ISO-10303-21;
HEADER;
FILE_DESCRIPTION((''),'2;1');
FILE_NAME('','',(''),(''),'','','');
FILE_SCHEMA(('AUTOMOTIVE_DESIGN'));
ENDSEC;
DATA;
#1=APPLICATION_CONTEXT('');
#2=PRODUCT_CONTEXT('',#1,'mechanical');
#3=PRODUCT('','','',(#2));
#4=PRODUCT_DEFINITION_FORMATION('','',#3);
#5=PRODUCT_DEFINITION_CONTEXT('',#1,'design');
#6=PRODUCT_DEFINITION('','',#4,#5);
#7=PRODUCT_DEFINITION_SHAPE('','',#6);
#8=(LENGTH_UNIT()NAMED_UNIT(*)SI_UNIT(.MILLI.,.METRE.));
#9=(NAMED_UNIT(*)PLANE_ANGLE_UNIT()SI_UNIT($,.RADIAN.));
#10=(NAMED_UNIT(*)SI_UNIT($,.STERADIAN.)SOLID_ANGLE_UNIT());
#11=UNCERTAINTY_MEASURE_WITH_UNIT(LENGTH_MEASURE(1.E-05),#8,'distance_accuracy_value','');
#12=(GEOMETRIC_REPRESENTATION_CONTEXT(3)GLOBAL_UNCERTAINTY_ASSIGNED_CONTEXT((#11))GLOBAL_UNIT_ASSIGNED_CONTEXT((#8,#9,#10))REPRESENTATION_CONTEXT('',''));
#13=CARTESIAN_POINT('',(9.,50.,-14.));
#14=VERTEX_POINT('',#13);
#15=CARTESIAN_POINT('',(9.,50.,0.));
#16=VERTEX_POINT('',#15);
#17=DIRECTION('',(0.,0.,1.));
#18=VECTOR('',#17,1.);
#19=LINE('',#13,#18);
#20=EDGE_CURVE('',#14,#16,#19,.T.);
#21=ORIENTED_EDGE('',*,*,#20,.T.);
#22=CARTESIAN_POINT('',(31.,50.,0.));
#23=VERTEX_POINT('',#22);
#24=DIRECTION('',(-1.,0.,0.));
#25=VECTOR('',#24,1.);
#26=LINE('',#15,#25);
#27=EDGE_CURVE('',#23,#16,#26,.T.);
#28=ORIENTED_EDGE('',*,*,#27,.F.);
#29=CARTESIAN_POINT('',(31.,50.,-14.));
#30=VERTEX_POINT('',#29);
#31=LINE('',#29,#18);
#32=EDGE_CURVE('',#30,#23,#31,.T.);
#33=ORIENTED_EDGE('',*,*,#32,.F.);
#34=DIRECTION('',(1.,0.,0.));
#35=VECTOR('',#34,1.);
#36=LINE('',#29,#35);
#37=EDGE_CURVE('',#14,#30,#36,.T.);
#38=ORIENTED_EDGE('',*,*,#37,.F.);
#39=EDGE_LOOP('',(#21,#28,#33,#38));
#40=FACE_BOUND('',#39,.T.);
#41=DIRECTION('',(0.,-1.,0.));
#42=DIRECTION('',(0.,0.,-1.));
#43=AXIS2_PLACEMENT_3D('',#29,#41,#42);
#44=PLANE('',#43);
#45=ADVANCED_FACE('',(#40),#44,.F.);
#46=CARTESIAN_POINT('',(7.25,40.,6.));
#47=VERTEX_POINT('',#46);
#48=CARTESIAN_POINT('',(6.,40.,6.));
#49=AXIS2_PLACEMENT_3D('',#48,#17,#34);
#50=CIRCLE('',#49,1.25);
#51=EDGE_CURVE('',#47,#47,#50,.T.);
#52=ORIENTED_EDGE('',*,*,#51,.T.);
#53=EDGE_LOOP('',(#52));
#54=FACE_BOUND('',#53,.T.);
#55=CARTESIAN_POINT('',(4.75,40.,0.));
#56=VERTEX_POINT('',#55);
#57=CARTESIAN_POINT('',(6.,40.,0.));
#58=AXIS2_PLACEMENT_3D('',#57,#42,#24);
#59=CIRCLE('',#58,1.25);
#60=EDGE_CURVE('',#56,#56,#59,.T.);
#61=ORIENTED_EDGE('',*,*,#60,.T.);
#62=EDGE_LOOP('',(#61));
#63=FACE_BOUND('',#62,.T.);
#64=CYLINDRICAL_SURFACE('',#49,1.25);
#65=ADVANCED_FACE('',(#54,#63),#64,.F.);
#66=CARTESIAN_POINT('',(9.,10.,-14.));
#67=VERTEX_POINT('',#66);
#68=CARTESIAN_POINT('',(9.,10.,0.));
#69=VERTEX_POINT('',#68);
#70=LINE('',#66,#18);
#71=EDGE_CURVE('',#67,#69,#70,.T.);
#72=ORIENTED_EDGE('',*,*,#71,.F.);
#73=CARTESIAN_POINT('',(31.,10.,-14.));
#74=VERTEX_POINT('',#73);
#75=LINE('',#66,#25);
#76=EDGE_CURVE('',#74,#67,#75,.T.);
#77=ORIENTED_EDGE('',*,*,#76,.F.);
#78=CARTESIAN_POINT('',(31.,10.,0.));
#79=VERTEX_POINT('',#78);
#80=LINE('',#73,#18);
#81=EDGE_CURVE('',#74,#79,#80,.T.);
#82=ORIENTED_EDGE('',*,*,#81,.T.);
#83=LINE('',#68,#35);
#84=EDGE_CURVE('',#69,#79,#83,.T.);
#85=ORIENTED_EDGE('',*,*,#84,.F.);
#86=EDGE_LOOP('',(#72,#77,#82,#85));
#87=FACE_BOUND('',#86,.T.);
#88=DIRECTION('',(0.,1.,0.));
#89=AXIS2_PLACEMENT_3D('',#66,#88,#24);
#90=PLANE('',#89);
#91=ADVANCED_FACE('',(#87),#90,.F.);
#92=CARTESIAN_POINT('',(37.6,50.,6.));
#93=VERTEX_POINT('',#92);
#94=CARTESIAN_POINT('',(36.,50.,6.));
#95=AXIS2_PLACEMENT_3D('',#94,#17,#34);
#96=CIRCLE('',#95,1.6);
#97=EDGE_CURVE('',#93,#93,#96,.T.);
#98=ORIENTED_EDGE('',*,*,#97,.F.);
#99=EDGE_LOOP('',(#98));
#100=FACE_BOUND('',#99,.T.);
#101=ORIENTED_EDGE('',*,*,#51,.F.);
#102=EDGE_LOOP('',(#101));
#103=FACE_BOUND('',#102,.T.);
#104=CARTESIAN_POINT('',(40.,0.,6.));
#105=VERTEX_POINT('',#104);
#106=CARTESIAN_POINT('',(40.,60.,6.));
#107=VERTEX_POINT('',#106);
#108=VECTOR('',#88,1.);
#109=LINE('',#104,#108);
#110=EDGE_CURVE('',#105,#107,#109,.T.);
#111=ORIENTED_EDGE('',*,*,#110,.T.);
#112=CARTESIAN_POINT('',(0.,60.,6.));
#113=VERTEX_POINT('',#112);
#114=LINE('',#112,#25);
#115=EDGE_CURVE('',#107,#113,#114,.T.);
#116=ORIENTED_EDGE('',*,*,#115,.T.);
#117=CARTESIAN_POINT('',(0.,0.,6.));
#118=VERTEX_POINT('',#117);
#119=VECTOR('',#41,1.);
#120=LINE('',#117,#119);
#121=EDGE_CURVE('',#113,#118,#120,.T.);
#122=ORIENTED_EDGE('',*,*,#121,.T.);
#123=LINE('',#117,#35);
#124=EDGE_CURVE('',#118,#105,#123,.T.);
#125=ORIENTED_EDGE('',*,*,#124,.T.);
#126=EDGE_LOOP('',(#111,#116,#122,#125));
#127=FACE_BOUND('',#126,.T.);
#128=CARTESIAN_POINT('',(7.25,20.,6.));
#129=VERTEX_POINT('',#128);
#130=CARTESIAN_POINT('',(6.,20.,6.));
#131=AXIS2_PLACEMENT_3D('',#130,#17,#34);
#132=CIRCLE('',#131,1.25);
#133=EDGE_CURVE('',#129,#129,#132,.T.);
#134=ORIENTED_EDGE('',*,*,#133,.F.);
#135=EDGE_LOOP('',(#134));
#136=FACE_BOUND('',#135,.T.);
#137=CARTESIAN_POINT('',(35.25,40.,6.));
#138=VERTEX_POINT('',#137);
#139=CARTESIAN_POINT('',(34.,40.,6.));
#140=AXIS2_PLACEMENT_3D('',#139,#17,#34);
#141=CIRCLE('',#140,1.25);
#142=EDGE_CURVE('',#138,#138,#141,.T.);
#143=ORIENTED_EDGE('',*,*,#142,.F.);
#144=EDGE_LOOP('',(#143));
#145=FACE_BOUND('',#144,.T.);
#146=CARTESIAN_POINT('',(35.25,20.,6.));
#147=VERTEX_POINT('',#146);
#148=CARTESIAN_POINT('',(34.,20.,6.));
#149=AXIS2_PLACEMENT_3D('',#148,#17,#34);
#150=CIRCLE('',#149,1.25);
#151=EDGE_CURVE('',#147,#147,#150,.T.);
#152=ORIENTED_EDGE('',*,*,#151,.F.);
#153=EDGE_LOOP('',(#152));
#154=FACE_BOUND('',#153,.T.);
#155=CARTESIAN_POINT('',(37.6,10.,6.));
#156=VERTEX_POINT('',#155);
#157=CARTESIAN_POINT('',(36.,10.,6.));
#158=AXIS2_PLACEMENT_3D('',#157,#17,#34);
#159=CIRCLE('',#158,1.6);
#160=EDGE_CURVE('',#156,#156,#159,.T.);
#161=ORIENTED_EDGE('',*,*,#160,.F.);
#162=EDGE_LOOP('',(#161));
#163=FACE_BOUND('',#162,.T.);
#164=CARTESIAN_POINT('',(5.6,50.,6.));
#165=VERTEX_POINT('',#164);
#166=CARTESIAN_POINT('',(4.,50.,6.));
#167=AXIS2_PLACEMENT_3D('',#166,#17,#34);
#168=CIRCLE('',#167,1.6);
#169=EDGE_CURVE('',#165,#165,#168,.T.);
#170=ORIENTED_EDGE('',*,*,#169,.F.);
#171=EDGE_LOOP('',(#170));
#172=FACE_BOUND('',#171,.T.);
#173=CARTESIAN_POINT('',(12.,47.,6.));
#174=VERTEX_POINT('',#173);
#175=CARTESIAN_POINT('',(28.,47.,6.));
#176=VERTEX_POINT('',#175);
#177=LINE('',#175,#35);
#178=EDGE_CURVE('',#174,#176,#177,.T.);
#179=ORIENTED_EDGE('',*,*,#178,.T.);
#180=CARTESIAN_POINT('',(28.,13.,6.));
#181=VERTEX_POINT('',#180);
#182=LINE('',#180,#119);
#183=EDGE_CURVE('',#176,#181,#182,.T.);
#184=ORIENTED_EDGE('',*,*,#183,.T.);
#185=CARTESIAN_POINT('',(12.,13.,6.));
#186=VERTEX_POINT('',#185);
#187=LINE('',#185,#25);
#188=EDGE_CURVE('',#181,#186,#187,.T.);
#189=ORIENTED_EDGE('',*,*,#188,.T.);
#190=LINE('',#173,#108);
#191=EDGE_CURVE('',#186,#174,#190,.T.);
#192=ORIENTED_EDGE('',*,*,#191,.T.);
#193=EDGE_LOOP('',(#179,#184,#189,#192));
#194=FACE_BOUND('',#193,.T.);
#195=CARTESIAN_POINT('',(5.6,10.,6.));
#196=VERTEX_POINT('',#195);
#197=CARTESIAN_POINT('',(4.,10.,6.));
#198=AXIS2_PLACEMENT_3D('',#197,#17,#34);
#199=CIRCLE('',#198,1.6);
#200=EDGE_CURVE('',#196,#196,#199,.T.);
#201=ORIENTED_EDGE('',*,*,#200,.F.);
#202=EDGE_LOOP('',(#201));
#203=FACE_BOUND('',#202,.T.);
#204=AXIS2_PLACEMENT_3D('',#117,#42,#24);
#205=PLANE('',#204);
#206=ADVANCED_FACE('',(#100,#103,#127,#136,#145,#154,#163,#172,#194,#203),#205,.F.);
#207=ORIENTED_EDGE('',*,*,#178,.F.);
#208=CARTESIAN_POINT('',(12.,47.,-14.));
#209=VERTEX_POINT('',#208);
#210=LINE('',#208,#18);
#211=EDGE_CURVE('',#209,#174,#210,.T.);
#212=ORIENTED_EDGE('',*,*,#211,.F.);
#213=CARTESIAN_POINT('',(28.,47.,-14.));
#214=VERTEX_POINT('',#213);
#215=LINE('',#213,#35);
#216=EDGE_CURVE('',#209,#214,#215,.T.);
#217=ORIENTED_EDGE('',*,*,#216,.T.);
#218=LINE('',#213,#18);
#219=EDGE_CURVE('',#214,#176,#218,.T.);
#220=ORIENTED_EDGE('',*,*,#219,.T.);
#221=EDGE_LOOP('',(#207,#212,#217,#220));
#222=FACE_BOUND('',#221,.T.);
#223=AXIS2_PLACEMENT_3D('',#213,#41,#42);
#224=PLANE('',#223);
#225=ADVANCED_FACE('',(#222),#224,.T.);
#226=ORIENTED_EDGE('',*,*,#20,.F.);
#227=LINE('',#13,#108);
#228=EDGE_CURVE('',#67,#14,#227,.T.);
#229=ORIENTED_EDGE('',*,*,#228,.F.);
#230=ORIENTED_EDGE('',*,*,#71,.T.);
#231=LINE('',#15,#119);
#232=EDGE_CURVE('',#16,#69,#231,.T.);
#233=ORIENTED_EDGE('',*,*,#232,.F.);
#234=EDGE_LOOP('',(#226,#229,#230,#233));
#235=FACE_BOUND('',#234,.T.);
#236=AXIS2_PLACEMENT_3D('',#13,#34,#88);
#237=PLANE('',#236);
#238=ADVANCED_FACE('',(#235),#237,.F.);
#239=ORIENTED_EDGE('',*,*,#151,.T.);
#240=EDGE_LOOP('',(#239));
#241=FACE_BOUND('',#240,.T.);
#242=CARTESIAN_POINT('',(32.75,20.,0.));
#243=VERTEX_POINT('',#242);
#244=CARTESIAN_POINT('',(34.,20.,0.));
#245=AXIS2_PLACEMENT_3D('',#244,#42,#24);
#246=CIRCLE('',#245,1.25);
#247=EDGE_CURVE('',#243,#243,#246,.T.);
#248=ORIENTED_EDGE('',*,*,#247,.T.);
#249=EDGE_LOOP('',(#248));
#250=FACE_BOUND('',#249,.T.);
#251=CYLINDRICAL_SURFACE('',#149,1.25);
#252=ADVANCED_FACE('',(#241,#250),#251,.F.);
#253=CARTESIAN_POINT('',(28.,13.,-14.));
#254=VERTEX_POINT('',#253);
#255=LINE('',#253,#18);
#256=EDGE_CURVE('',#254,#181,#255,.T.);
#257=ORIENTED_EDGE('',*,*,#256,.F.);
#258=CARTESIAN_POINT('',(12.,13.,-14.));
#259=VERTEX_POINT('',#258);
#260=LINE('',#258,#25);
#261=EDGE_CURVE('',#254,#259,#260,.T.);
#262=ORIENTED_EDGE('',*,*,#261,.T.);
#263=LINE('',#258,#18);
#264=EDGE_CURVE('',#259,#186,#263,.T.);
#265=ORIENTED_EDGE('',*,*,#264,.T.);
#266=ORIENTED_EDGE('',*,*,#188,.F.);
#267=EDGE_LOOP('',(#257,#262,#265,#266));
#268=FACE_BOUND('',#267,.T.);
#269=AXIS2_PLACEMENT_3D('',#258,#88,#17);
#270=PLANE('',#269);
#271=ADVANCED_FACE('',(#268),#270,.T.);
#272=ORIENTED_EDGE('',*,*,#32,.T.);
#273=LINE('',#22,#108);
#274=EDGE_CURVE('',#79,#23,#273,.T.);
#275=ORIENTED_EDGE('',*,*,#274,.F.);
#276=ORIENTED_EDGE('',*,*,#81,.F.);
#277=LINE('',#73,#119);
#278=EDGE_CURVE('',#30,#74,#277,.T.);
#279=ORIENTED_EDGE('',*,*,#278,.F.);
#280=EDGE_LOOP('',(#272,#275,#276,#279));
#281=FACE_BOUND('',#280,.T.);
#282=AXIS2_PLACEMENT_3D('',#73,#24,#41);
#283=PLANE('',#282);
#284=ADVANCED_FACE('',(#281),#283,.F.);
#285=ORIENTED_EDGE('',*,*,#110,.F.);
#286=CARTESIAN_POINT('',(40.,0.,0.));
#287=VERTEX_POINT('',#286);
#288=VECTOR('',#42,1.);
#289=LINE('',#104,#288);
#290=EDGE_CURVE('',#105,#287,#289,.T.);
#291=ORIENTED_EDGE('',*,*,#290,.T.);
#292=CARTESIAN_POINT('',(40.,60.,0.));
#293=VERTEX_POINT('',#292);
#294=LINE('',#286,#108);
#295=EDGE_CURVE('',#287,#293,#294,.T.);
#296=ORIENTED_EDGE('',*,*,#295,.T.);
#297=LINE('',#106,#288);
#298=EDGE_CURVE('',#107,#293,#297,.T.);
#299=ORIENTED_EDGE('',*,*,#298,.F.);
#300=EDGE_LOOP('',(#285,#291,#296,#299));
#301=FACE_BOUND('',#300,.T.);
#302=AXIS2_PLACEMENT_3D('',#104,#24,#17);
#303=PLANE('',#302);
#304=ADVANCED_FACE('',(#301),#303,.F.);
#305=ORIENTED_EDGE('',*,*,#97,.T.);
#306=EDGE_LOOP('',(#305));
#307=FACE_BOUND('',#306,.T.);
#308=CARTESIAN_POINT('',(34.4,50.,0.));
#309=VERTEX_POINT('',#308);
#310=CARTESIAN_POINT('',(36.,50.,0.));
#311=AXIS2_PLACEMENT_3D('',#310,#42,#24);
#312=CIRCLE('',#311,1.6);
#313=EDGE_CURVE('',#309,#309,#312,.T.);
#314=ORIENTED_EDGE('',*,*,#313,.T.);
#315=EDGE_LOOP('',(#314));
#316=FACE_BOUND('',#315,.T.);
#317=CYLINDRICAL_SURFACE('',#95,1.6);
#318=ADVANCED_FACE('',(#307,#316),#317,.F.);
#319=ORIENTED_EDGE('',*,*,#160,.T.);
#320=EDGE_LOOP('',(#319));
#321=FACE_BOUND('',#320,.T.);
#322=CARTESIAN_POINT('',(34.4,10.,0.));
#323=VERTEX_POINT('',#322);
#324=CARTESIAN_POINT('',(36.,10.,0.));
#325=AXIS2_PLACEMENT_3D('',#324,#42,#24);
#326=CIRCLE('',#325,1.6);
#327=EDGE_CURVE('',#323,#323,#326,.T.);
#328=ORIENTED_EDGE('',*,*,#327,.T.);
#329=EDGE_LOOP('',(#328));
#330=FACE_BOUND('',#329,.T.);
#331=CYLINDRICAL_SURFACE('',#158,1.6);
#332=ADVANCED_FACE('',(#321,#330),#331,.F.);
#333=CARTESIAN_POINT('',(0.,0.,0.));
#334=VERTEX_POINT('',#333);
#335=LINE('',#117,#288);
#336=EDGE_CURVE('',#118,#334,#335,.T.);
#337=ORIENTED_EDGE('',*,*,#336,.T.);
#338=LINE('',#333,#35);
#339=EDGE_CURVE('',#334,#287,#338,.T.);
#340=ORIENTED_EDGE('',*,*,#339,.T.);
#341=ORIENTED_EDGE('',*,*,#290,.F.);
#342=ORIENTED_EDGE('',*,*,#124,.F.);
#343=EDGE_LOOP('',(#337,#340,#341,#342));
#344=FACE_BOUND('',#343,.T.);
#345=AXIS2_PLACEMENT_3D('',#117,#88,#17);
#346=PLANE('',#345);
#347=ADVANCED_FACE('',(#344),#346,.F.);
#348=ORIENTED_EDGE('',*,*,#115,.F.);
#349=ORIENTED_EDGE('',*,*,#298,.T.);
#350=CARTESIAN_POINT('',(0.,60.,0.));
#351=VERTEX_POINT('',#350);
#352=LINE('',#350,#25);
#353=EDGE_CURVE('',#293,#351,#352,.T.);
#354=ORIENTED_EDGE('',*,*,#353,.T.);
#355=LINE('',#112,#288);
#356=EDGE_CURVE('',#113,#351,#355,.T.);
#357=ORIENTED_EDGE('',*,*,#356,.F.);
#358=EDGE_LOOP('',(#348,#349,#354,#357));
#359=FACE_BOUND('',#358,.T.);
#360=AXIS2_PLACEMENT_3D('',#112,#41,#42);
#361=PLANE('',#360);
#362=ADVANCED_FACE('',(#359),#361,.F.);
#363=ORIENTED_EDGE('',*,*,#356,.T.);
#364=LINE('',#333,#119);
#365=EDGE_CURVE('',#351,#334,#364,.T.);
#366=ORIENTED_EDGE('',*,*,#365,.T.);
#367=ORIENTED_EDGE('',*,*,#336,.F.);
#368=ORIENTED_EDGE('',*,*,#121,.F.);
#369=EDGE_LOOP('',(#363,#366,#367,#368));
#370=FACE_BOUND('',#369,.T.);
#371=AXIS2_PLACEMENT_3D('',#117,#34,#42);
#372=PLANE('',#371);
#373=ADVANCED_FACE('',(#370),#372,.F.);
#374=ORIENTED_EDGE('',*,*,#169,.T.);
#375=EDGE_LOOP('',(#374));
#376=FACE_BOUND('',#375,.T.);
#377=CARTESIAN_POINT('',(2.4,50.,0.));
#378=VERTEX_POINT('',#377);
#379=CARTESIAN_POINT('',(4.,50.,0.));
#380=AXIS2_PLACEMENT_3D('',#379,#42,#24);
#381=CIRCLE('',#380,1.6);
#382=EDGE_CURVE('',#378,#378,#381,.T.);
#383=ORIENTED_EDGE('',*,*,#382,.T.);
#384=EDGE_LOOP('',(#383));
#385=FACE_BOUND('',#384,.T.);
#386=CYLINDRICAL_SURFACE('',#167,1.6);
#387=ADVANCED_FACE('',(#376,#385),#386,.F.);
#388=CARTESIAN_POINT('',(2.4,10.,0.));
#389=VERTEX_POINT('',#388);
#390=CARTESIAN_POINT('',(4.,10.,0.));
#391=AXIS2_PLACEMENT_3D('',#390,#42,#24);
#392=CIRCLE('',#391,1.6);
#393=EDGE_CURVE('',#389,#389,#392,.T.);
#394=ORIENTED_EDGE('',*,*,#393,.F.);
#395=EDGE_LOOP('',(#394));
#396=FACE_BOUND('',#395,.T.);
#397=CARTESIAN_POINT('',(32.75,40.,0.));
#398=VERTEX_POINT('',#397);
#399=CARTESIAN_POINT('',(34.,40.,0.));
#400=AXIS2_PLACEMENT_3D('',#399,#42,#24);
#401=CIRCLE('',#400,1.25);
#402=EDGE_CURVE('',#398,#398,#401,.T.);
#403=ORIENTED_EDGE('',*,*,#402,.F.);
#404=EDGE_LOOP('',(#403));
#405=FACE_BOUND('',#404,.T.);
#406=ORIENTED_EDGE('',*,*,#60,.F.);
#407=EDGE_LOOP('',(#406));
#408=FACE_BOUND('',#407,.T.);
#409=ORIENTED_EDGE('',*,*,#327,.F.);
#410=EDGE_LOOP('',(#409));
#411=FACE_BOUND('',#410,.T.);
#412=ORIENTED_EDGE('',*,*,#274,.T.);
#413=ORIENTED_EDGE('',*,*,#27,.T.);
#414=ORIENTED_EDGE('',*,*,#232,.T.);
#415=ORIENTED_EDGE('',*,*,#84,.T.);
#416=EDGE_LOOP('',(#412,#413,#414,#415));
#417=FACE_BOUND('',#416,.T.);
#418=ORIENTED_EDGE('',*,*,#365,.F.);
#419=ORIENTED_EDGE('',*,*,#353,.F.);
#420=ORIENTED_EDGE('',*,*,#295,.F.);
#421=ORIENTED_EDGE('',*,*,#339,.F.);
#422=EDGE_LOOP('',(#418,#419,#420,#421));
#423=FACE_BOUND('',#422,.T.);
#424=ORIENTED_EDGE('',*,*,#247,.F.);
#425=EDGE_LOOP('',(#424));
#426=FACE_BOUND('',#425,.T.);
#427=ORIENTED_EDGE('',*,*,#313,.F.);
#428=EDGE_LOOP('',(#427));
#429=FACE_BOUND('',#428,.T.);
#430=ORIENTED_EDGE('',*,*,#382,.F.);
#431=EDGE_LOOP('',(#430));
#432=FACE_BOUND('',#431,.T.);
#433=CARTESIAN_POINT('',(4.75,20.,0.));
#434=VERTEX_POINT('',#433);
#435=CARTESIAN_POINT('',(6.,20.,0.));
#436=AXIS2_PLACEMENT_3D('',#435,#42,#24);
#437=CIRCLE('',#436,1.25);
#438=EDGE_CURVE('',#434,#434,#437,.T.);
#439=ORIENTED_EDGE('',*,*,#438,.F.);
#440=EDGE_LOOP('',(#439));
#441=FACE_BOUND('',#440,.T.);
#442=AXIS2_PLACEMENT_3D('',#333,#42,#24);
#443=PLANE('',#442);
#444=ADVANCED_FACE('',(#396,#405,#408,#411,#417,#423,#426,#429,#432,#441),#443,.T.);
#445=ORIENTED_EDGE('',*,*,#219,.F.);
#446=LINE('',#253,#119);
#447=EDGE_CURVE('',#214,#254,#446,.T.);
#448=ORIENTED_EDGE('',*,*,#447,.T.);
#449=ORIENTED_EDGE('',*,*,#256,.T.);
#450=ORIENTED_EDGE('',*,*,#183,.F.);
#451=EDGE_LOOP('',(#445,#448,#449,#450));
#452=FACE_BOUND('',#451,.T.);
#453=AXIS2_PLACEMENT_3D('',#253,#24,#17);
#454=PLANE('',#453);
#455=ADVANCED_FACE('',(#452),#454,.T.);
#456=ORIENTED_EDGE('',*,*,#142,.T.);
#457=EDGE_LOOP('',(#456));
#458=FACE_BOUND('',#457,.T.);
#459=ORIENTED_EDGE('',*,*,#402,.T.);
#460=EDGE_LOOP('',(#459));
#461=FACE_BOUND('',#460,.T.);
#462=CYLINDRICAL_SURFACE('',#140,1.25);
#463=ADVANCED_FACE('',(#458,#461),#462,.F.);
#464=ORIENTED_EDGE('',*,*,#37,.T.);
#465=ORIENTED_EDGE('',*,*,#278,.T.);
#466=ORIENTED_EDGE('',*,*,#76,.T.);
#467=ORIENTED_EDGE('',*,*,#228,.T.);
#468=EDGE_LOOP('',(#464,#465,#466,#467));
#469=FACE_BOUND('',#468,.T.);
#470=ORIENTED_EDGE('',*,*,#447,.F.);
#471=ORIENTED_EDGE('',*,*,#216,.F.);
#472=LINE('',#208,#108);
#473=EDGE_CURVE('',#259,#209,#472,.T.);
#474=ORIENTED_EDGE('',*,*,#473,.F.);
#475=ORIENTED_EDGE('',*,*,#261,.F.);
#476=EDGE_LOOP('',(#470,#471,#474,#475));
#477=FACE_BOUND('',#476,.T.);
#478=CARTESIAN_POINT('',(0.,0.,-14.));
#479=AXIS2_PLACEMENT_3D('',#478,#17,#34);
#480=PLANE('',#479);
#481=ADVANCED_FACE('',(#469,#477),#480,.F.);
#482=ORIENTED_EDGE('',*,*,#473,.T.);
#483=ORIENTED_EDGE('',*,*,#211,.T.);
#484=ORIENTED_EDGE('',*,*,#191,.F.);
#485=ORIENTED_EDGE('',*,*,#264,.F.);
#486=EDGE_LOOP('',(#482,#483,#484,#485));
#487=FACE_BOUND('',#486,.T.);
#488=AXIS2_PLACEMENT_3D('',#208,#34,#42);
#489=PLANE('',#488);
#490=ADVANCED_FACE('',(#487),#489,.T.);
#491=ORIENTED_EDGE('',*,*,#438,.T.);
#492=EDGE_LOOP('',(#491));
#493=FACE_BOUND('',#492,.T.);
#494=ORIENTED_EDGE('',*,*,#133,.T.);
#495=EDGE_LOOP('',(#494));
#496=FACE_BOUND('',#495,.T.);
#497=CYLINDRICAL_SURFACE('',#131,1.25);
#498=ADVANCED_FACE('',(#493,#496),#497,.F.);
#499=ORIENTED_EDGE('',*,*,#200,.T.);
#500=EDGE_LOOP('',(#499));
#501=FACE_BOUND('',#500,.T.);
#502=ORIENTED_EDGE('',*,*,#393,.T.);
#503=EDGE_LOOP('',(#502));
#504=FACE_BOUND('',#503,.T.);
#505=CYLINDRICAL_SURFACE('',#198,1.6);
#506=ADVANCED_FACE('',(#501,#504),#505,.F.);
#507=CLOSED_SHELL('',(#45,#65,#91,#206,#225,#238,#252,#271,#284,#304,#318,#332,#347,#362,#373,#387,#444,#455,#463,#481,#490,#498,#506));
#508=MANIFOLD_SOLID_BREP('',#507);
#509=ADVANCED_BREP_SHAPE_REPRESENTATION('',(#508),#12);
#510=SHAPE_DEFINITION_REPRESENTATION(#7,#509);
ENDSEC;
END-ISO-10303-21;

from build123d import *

# Parameters (mm, degrees)
SKETCH1_W               = 40
SKETCH1_H               = 60
BOSS_EXTRUDE1_DEPTH     = 6
M3_CLEARANCE_HOLE1_D    = 3.2
CUT_EXTRUDE1_DEPTH      = 73.360210061
CUT_EXTRUDE1_DEPTH_BACK = 73.360210061
SKETCH4_W               = 22
SKETCH4_H               = 40
SKETCH6_W               = 22
SKETCH6_H               = 40
SKETCH6_W_2             = 16
SKETCH6_H_2             = 34
BOSS_EXTRUDE2_DEPTH     = 20
TAP_DRILL_FOR_M3_TAP2_D = 2.5


with BuildPart() as part:
    # Sketch1 → Boss-Extrude1 (new body)
    with BuildSketch(Plane.XY):
        with Locations((20, 30)):
            Rectangle(SKETCH1_W, SKETCH1_H)
    extrude(amount=BOSS_EXTRUDE1_DEPTH)

    # M3 Clearance Hole1 (through all)
    with Locations(Plane.XY.offset(6)):
        with Locations((4, 10), (4, 50), (36, 50), (36, 10)):
            Hole(M3_CLEARANCE_HOLE1_D / 2)

    # Sketch4 → Cut-Extrude1 (cut, two sides: drawn at the far end of the back side and taken through both)
    with BuildSketch(Plane.XY.offset(6).offset(-CUT_EXTRUDE1_DEPTH_BACK)):
        with Locations((20, 30)):
            Rectangle(SKETCH4_W, SKETCH4_H)
    extrude(amount=CUT_EXTRUDE1_DEPTH + CUT_EXTRUDE1_DEPTH_BACK, mode=Mode.SUBTRACT)

    # Sketch6 → Boss-Extrude2 (add)
    with BuildSketch(Plane(origin=(0, 0, 6), x_dir=(-1, 0, 0), z_dir=(0, 0, -1))):
        with Locations((-20, 30)):
            Rectangle(SKETCH6_W, SKETCH6_H)
        with Locations((-20, 30)):
            Rectangle(SKETCH6_W_2, SKETCH6_H_2, mode=Mode.SUBTRACT)
    extrude(amount=BOSS_EXTRUDE2_DEPTH)

    # Tap Drill for M3 Tap2 (through all)
    with Locations(Plane.XY.offset(6)):
        with Locations((34, 40), (6, 40), (6, 20), (34, 20)):
            Hole(TAP_DRILL_FOR_M3_TAP2_D / 2)


solid = part.part
